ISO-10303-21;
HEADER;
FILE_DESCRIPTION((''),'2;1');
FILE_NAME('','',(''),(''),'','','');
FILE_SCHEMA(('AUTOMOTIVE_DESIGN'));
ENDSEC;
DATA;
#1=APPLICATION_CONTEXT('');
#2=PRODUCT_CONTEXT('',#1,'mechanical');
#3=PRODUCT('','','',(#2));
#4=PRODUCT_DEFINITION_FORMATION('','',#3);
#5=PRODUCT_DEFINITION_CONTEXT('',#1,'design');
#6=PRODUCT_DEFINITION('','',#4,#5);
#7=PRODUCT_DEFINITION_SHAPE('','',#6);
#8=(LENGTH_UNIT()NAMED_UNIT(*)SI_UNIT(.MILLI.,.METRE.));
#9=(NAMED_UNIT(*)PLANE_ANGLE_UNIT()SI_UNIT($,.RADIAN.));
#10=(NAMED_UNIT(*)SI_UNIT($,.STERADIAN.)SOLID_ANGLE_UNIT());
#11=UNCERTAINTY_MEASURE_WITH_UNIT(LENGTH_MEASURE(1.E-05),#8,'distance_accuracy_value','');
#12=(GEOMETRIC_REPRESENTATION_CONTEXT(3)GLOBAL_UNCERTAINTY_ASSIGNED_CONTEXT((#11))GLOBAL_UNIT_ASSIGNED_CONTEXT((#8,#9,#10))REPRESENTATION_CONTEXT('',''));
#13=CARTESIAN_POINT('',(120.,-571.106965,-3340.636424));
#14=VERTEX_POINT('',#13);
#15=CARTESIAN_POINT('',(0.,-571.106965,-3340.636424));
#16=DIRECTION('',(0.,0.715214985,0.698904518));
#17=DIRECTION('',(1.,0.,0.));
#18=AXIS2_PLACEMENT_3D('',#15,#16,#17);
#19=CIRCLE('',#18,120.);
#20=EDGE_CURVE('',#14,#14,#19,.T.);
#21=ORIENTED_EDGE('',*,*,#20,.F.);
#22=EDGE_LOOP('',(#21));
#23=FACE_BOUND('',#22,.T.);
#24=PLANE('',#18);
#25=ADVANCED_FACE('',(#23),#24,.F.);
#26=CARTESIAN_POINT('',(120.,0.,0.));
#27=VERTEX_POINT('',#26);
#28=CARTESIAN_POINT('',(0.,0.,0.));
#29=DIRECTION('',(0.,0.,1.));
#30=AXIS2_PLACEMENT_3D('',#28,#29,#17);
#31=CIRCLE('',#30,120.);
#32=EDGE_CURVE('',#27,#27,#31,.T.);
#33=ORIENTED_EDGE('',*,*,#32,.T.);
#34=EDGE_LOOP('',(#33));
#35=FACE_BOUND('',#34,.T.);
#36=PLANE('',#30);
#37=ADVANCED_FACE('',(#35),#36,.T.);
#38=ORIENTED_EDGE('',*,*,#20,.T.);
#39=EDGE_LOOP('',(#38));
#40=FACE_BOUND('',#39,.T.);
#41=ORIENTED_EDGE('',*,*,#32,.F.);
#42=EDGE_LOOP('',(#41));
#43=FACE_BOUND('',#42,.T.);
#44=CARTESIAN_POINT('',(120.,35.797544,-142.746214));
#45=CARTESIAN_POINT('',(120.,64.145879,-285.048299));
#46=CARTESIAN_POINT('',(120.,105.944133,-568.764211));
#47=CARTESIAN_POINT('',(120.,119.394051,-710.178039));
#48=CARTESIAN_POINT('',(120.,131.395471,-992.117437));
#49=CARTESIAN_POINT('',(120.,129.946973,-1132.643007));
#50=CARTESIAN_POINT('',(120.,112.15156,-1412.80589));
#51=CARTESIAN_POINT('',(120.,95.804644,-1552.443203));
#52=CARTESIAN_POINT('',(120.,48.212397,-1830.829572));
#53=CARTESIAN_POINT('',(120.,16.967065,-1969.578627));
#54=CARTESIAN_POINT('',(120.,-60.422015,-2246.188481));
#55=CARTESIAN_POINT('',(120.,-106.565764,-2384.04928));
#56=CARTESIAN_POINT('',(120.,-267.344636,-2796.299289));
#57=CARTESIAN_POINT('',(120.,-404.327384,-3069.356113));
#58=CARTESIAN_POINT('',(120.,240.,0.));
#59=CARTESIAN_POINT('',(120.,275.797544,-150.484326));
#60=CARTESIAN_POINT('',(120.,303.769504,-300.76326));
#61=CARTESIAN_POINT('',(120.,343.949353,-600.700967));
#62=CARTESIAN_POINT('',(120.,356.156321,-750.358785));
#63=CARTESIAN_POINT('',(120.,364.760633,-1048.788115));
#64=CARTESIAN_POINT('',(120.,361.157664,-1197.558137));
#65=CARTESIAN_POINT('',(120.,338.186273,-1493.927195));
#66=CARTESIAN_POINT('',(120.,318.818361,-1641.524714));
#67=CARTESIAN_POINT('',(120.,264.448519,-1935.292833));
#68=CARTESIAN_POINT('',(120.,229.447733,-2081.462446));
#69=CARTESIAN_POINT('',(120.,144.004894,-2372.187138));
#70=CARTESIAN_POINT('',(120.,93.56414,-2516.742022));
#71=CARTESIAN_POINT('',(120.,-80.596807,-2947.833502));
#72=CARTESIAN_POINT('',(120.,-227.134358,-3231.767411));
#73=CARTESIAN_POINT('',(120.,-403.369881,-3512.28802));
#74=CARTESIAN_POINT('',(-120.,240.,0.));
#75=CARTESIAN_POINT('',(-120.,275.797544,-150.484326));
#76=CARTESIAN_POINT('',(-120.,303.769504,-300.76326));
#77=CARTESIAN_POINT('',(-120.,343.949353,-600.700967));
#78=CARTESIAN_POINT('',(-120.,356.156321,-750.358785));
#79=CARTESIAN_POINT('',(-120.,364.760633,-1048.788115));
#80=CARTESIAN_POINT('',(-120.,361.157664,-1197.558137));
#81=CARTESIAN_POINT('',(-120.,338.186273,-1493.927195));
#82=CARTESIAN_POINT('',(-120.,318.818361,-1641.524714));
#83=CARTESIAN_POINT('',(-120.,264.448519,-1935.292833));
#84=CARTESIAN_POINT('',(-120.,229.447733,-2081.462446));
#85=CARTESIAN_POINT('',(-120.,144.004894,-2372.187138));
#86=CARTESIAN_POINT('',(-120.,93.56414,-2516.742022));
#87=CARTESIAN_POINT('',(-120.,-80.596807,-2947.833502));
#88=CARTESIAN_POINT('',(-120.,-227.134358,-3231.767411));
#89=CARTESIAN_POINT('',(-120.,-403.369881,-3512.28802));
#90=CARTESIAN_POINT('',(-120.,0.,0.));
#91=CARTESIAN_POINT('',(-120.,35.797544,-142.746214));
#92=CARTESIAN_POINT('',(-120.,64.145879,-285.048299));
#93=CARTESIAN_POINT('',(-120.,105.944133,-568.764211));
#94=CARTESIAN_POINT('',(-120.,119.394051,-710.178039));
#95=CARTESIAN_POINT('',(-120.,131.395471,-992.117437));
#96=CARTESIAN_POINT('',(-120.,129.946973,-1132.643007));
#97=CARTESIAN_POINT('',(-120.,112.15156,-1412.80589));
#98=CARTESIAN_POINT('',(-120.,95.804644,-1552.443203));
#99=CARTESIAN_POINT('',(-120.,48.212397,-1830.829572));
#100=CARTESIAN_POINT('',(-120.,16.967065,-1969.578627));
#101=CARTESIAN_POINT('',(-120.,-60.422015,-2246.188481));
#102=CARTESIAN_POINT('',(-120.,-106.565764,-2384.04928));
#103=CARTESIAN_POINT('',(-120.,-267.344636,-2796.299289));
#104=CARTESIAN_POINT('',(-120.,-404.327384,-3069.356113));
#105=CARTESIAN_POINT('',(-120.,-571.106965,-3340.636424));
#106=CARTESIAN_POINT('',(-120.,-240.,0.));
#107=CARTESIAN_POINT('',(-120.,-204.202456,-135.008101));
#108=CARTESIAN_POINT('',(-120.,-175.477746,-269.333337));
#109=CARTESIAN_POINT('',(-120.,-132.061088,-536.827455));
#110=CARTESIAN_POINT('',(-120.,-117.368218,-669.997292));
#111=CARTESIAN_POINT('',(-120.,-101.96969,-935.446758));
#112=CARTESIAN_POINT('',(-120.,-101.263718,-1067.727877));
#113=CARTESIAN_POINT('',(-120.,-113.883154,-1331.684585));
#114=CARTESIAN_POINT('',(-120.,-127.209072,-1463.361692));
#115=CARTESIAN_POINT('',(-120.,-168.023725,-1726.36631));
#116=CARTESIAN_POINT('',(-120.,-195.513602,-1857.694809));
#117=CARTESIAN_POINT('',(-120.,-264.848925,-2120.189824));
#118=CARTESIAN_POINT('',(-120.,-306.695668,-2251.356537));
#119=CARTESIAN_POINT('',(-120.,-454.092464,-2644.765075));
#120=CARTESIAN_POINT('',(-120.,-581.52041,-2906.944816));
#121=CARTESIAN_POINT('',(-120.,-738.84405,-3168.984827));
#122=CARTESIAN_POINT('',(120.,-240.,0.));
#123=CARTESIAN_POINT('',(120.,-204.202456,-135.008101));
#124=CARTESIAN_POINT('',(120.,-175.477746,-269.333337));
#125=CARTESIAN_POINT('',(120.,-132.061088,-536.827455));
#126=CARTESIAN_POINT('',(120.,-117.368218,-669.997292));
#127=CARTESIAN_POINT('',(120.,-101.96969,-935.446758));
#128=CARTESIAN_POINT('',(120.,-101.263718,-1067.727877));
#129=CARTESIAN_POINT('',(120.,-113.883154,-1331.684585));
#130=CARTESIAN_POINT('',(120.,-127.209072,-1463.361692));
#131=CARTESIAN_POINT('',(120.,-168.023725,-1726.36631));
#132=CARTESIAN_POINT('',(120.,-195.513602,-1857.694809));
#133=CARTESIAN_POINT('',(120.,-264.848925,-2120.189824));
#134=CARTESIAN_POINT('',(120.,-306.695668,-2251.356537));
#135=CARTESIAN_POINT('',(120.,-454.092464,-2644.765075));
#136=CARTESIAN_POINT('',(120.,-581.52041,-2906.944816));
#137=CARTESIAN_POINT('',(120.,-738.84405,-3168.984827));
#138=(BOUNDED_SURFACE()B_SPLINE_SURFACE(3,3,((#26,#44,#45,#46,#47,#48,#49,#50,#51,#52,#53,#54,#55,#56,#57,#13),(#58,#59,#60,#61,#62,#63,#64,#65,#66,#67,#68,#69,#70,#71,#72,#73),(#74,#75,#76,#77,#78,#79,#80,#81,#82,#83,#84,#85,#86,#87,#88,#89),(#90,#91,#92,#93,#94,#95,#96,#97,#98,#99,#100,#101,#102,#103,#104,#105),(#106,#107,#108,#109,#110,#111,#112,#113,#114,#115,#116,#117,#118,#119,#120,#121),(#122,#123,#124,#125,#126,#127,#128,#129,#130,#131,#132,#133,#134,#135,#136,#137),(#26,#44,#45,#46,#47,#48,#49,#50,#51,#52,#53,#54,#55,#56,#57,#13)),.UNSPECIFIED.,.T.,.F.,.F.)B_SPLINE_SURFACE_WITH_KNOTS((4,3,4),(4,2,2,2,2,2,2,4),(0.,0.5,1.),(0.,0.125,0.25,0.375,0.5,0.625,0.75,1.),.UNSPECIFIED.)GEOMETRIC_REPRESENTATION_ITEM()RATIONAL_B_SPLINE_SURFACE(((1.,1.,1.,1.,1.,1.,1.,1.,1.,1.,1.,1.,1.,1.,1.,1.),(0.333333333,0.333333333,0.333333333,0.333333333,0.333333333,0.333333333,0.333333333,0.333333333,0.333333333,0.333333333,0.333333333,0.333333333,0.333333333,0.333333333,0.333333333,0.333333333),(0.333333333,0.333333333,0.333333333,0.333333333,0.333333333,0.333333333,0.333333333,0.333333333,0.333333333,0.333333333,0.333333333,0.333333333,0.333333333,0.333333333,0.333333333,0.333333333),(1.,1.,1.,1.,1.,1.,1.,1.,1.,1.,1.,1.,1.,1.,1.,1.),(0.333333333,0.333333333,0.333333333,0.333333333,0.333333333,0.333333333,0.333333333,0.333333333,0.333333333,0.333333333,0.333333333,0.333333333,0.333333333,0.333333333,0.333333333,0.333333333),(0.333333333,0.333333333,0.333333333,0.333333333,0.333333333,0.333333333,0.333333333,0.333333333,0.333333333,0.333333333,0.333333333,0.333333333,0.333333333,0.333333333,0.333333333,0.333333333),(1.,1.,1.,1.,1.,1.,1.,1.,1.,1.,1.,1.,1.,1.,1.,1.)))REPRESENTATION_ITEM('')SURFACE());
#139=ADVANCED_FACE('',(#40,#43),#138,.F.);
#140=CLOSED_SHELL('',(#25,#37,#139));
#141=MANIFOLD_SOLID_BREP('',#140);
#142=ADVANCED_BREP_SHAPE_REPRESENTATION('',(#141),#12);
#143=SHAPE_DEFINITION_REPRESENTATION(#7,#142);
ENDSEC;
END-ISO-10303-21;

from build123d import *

# Parameters (mm, degrees)
SKETCH_1_R = 120


with BuildPart() as part:
    # 스윕1: sweep along a path in 스케치2
    with BuildLine() as sweep_1_path:  # in the path sketch's own coordinates; laid on its plane below (add() does not lay a ready-made edge on the line's plane)
        add(Edge.make_bspline(
            [(0, 0), (1712.954563045, 429.570524491), (3340.636423623, -571.106965417)],
            knots=[0, 0, 0, 1, 1, 1], degree=2))
    # 스케치1 → 스윕1 (sweep)
    with BuildSketch(Plane.XY):
        Circle(SKETCH_1_R)
    sweep(path=Plane(origin=(0, 0, 0), x_dir=(0, 0, -1), z_dir=(1, 0, 0)) * sweep_1_path.line)


solid = part.part
